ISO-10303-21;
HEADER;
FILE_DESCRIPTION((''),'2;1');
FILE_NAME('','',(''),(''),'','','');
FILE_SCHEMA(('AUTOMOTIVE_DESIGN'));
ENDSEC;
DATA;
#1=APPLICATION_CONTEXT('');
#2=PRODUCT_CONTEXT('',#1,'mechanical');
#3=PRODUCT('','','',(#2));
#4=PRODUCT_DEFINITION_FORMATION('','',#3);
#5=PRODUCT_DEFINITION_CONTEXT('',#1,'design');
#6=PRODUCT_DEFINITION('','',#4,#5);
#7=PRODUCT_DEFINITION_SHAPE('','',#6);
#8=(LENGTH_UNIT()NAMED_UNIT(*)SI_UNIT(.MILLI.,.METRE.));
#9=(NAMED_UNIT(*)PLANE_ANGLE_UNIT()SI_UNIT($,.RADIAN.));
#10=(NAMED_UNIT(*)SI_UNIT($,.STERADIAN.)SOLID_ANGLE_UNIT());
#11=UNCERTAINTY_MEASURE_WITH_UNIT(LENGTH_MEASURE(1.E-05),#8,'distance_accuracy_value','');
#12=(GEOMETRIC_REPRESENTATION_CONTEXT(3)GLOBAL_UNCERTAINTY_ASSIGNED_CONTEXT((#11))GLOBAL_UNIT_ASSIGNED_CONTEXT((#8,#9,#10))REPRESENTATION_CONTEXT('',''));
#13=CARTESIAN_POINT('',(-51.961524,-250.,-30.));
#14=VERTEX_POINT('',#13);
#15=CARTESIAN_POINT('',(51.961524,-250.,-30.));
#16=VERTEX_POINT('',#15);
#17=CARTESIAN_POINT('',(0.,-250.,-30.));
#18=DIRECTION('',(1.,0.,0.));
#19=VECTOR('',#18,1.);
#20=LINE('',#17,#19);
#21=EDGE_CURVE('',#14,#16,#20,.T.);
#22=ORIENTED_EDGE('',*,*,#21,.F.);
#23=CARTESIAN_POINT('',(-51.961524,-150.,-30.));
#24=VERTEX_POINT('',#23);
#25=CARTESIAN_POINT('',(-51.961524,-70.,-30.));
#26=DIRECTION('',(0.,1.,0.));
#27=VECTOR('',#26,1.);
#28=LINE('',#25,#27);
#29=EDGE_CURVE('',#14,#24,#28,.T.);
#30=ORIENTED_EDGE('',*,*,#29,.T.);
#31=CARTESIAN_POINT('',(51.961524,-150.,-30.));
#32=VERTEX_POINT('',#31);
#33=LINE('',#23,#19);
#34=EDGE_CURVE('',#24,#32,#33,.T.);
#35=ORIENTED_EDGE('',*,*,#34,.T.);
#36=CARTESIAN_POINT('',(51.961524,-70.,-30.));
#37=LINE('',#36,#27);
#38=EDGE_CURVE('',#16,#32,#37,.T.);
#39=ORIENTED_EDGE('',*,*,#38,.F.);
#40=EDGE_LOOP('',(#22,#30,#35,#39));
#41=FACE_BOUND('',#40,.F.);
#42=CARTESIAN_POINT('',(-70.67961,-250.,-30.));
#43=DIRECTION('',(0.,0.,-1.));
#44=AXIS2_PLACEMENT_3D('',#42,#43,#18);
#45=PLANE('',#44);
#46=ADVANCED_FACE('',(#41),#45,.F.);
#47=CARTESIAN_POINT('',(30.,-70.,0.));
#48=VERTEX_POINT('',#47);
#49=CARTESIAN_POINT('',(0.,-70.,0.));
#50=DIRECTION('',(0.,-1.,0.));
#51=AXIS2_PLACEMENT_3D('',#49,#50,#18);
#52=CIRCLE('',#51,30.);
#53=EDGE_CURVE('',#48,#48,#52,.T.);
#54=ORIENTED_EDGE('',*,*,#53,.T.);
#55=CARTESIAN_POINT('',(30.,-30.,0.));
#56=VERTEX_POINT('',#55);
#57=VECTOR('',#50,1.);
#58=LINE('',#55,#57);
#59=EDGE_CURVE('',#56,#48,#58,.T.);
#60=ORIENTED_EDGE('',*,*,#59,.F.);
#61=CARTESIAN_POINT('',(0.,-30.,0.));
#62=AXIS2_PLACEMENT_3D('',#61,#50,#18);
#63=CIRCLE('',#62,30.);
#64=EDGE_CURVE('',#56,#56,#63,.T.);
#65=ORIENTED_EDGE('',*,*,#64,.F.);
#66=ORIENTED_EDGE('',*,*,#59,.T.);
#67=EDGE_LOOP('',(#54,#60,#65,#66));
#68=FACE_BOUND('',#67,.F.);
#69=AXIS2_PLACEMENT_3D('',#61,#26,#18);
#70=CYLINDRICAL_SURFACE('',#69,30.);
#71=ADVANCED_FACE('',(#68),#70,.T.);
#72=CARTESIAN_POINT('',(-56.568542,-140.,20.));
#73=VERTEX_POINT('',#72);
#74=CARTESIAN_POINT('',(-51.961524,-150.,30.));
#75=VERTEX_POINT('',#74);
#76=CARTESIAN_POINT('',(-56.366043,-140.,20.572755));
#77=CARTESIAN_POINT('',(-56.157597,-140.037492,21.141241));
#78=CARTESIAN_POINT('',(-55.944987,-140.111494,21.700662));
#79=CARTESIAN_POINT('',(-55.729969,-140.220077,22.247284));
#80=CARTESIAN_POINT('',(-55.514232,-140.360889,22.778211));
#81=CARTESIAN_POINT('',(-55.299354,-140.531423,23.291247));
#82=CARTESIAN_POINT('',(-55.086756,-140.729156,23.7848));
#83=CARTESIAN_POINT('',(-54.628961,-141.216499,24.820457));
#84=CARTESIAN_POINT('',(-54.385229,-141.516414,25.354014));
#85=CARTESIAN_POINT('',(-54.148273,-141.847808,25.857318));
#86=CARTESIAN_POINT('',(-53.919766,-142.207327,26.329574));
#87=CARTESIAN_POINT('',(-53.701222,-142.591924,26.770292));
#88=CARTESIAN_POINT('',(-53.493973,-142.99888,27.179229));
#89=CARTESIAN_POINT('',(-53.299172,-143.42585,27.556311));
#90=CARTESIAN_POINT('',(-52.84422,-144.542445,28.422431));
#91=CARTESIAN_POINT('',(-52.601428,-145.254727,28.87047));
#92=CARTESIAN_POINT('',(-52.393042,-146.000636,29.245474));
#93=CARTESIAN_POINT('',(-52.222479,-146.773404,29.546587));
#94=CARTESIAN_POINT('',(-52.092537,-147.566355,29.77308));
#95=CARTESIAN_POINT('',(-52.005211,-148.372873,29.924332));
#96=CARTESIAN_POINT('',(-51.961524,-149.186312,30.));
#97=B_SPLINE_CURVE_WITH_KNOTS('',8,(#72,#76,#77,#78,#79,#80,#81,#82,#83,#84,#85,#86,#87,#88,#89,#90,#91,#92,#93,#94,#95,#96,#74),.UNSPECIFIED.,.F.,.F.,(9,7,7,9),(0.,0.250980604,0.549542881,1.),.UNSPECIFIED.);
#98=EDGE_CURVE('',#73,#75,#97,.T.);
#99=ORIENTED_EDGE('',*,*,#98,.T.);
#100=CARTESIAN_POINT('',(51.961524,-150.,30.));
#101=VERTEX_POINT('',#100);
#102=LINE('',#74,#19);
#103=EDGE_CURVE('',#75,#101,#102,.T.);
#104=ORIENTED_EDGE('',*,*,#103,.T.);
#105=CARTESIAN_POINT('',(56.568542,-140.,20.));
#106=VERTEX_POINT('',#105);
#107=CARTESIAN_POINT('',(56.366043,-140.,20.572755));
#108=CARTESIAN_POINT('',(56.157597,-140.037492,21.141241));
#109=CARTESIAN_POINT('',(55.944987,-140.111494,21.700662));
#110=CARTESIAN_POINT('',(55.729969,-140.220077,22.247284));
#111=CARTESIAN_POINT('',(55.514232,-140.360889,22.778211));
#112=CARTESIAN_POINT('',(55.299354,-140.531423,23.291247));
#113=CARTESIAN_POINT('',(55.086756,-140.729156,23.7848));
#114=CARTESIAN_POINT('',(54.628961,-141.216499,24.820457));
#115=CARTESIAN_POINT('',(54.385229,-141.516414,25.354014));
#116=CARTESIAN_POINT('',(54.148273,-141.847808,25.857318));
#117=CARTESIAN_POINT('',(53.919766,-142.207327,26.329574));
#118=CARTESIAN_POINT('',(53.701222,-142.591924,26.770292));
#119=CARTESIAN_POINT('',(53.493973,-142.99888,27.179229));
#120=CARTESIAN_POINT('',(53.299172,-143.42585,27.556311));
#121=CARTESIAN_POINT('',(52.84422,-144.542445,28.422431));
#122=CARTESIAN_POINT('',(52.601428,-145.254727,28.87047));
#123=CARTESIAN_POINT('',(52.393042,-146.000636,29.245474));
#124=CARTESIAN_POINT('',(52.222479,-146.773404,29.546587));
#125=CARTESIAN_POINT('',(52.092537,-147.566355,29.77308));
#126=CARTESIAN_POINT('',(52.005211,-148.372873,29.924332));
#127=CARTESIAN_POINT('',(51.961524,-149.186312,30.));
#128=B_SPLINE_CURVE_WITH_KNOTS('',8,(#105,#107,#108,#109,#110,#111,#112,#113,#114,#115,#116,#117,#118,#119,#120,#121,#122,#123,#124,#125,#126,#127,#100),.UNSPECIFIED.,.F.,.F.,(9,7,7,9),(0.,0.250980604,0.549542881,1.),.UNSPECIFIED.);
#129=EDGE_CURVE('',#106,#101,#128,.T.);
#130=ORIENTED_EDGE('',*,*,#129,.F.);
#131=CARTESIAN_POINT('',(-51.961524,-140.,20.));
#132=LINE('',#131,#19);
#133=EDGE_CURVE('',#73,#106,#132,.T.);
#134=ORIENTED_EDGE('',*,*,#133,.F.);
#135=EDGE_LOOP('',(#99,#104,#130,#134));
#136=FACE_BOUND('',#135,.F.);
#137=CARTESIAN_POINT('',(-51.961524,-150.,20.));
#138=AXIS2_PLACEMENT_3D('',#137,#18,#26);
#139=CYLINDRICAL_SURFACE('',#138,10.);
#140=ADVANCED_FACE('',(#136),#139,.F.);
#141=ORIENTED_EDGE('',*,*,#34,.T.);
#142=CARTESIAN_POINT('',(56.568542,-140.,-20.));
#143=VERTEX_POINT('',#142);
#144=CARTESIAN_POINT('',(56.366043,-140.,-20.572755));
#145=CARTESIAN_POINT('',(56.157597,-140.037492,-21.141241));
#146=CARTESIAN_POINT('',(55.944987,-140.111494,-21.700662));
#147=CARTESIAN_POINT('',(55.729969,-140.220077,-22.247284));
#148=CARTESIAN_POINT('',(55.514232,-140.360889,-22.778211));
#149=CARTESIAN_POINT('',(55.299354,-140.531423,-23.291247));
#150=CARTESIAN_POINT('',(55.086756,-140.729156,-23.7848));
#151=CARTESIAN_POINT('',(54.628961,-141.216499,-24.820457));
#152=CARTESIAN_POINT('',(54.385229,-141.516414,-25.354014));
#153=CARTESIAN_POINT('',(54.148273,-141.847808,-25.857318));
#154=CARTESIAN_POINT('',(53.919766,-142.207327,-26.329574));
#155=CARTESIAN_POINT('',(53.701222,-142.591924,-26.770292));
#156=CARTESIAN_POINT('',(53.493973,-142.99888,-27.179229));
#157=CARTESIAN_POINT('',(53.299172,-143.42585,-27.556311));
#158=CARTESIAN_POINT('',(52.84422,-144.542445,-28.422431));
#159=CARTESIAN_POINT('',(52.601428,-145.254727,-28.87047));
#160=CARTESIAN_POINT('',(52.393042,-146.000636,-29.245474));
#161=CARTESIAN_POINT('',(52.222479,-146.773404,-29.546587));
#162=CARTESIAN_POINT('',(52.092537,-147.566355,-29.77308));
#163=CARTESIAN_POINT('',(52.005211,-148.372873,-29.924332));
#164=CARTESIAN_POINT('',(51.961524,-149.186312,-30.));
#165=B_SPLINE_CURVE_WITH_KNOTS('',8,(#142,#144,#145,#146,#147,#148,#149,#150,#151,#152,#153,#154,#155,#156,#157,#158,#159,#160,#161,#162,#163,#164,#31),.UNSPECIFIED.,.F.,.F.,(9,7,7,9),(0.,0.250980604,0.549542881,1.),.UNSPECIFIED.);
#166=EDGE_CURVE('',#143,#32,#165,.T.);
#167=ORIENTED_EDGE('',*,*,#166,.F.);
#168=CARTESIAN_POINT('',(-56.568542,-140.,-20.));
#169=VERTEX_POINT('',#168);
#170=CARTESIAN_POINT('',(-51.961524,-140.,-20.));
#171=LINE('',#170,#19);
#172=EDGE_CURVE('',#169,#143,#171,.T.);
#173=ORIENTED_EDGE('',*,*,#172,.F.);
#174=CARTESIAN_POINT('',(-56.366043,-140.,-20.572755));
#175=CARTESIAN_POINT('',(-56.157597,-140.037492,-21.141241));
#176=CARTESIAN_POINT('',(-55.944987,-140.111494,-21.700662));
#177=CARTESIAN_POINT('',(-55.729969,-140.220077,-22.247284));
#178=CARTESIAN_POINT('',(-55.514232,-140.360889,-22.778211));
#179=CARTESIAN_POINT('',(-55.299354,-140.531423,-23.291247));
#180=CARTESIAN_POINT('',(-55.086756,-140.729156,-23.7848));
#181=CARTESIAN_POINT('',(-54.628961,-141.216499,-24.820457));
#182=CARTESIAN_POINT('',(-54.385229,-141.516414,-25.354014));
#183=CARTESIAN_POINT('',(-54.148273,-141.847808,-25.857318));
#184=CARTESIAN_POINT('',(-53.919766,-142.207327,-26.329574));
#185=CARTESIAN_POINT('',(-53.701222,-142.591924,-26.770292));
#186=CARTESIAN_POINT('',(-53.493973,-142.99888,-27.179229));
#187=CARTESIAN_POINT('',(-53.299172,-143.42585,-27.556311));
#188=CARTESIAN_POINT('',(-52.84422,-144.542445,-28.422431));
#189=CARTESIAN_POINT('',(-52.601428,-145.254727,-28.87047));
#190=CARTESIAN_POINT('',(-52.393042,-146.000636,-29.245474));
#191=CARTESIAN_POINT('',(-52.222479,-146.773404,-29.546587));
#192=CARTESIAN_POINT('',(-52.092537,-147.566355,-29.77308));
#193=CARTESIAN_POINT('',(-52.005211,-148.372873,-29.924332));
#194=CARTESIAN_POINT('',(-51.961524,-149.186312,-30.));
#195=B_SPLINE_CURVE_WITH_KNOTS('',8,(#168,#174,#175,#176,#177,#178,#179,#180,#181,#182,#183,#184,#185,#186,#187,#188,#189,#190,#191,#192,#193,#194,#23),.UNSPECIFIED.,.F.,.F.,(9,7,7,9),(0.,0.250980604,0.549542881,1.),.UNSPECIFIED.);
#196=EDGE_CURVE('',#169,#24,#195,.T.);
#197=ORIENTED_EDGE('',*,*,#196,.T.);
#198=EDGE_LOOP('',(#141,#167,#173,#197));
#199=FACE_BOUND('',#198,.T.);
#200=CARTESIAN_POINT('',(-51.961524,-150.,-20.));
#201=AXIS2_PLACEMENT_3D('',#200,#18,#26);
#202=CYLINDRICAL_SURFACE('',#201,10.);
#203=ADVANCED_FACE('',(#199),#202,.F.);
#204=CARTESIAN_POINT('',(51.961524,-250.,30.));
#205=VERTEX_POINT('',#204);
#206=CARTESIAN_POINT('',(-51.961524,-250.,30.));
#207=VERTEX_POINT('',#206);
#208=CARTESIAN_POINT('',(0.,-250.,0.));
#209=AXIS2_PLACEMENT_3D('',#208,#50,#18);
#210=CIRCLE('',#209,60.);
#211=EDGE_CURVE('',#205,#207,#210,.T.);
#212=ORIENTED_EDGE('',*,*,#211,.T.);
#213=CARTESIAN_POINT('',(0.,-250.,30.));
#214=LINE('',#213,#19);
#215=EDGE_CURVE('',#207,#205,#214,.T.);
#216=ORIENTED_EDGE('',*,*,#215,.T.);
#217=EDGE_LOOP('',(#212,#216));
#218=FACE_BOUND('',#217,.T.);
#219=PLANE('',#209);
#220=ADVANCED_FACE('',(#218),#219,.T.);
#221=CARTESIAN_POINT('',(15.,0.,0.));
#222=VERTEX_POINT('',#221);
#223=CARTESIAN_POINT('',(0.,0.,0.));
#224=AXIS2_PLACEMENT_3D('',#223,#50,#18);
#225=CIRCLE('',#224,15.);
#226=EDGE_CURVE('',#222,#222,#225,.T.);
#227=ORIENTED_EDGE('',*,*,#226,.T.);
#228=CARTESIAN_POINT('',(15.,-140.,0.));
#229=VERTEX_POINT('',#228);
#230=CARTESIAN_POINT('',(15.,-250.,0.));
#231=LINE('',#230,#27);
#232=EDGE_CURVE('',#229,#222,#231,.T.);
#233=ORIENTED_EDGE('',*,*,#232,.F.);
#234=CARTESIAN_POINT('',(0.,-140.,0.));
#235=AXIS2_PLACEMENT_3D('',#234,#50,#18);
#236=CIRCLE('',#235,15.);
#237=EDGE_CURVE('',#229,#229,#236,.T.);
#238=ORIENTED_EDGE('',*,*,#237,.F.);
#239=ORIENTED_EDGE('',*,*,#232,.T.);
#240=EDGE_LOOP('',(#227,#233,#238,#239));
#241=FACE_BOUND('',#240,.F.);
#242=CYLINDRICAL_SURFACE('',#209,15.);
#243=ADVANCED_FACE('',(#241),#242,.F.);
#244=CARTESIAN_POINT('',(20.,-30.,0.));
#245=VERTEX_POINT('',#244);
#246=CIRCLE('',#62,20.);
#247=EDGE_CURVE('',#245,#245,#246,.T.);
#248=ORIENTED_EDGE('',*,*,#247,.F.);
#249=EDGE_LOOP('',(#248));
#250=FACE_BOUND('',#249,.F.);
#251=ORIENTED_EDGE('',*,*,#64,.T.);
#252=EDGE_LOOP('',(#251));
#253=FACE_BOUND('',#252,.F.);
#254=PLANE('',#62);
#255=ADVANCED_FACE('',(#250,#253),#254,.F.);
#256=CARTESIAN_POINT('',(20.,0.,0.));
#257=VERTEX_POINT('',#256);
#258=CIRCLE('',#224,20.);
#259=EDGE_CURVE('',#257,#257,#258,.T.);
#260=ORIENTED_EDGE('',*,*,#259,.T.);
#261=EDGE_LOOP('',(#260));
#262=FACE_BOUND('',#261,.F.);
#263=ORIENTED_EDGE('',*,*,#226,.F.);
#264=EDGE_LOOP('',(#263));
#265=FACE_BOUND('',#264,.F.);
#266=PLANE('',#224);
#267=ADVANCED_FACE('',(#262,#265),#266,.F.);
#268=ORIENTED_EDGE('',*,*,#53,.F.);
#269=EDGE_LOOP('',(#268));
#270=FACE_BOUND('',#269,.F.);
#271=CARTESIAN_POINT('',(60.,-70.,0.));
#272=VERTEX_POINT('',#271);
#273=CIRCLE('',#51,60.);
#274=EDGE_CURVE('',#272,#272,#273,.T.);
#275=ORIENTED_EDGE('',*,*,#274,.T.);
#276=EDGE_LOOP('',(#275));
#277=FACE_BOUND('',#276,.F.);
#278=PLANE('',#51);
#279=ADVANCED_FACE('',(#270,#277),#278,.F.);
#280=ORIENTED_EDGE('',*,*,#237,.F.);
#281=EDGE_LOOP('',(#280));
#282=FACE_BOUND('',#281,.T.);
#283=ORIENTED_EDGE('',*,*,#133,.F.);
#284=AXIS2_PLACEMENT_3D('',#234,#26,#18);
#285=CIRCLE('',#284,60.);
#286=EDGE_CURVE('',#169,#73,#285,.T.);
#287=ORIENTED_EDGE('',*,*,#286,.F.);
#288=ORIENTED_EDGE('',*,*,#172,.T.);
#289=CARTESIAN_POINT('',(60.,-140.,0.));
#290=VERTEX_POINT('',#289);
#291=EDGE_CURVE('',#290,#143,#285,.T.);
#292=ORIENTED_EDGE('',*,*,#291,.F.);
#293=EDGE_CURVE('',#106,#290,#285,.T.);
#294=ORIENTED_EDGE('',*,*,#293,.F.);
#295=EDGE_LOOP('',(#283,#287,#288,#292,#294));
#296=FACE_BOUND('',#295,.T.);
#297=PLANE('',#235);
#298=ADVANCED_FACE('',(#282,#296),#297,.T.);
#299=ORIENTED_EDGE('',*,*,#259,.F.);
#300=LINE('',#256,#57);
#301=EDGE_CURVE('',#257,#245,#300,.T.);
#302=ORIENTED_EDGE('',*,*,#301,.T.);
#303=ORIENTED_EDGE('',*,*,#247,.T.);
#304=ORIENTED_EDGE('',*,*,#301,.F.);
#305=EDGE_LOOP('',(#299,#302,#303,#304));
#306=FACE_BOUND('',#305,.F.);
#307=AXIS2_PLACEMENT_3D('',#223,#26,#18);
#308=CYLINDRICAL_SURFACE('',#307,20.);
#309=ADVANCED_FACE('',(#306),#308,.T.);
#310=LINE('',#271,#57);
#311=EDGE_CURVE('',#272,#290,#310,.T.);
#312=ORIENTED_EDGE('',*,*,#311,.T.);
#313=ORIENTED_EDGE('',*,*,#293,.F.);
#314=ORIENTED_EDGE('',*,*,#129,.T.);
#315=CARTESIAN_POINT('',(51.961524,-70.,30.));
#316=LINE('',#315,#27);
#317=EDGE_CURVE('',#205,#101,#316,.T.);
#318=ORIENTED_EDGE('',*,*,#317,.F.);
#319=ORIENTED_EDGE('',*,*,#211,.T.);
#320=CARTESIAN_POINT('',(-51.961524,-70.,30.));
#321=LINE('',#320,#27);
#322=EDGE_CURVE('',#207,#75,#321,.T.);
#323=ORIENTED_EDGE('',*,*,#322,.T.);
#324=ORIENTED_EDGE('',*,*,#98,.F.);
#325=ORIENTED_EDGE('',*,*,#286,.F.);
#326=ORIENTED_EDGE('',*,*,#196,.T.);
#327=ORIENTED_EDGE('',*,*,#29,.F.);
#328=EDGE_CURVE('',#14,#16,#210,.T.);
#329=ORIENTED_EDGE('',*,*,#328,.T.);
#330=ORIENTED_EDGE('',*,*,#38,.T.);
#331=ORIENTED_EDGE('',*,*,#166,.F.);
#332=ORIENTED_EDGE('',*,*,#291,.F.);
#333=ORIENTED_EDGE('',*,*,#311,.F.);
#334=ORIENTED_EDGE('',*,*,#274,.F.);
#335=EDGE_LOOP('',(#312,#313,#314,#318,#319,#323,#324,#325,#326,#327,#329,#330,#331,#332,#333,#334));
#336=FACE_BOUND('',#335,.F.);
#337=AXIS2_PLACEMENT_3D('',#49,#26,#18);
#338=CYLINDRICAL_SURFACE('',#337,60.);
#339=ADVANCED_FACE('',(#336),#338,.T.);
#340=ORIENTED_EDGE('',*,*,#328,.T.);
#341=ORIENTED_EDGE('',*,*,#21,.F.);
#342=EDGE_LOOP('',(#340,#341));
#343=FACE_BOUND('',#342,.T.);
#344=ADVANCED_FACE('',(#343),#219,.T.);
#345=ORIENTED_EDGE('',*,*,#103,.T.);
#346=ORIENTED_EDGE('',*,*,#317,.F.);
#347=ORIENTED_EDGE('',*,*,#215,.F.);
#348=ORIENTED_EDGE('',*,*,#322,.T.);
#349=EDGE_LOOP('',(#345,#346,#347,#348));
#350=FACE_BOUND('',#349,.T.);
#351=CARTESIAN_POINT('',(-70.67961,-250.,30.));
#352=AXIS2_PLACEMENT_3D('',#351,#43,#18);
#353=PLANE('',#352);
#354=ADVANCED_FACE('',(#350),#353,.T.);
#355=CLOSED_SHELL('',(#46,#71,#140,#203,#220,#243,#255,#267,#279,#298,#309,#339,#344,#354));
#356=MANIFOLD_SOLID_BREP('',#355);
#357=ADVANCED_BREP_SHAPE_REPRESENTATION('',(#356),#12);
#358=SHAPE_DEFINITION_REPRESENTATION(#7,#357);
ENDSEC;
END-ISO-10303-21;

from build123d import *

# Parameters (mm, degrees)
F0_R     = 20
F1_DEPTH = 30
F2_R     = 30
F3_DEPTH = 40
F4_R     = 60
F5_DEPTH = 180
F6_R     = 15
F7_DEPTH = 250
F8_W     = 141.35922
F8_H     = 60
F9_DEPTH = 110
F10_R    = 10
F11_R    = 10


with BuildPart() as f1:
    # F0 (on Front) → F1 (new body)
    with BuildSketch(Plane.XZ):
        Circle(F0_R)
    extrude(amount=F1_DEPTH)

    # F2 (on face) → F3 (join)
    with BuildSketch(Plane.XZ.offset(30)):
        Circle(F2_R)
    extrude(amount=F3_DEPTH)

    # F4 (on face) → F5 (join)
    with BuildSketch(Plane.XZ.offset(70)):
        Circle(F4_R)
    extrude(amount=F5_DEPTH)

    # F6 (on face) → F7 (cut)
    with BuildSketch(Plane.XZ.offset(250)):
        Circle(F6_R)
    extrude(amount=-F7_DEPTH, mode=Mode.SUBTRACT)

    # F8 (on face) → F9 (cut)
    with BuildSketch(Plane.XZ.offset(250)):
        Rectangle(F8_W, F8_H)
    extrude(amount=-F9_DEPTH, mode=Mode.SUBTRACT)

    # F10
    f10_edges = [f1.edges().sort_by_distance(p)[0] for p in [
        (0, -140, 30),
    ]]
    fillet(f10_edges, radius=F10_R)

    # F11
    f11_edges = [f1.edges().sort_by_distance(p)[0] for p in [
        (0, -140, -30),
    ]]
    fillet(f11_edges, radius=F11_R)


solid = f1.part
